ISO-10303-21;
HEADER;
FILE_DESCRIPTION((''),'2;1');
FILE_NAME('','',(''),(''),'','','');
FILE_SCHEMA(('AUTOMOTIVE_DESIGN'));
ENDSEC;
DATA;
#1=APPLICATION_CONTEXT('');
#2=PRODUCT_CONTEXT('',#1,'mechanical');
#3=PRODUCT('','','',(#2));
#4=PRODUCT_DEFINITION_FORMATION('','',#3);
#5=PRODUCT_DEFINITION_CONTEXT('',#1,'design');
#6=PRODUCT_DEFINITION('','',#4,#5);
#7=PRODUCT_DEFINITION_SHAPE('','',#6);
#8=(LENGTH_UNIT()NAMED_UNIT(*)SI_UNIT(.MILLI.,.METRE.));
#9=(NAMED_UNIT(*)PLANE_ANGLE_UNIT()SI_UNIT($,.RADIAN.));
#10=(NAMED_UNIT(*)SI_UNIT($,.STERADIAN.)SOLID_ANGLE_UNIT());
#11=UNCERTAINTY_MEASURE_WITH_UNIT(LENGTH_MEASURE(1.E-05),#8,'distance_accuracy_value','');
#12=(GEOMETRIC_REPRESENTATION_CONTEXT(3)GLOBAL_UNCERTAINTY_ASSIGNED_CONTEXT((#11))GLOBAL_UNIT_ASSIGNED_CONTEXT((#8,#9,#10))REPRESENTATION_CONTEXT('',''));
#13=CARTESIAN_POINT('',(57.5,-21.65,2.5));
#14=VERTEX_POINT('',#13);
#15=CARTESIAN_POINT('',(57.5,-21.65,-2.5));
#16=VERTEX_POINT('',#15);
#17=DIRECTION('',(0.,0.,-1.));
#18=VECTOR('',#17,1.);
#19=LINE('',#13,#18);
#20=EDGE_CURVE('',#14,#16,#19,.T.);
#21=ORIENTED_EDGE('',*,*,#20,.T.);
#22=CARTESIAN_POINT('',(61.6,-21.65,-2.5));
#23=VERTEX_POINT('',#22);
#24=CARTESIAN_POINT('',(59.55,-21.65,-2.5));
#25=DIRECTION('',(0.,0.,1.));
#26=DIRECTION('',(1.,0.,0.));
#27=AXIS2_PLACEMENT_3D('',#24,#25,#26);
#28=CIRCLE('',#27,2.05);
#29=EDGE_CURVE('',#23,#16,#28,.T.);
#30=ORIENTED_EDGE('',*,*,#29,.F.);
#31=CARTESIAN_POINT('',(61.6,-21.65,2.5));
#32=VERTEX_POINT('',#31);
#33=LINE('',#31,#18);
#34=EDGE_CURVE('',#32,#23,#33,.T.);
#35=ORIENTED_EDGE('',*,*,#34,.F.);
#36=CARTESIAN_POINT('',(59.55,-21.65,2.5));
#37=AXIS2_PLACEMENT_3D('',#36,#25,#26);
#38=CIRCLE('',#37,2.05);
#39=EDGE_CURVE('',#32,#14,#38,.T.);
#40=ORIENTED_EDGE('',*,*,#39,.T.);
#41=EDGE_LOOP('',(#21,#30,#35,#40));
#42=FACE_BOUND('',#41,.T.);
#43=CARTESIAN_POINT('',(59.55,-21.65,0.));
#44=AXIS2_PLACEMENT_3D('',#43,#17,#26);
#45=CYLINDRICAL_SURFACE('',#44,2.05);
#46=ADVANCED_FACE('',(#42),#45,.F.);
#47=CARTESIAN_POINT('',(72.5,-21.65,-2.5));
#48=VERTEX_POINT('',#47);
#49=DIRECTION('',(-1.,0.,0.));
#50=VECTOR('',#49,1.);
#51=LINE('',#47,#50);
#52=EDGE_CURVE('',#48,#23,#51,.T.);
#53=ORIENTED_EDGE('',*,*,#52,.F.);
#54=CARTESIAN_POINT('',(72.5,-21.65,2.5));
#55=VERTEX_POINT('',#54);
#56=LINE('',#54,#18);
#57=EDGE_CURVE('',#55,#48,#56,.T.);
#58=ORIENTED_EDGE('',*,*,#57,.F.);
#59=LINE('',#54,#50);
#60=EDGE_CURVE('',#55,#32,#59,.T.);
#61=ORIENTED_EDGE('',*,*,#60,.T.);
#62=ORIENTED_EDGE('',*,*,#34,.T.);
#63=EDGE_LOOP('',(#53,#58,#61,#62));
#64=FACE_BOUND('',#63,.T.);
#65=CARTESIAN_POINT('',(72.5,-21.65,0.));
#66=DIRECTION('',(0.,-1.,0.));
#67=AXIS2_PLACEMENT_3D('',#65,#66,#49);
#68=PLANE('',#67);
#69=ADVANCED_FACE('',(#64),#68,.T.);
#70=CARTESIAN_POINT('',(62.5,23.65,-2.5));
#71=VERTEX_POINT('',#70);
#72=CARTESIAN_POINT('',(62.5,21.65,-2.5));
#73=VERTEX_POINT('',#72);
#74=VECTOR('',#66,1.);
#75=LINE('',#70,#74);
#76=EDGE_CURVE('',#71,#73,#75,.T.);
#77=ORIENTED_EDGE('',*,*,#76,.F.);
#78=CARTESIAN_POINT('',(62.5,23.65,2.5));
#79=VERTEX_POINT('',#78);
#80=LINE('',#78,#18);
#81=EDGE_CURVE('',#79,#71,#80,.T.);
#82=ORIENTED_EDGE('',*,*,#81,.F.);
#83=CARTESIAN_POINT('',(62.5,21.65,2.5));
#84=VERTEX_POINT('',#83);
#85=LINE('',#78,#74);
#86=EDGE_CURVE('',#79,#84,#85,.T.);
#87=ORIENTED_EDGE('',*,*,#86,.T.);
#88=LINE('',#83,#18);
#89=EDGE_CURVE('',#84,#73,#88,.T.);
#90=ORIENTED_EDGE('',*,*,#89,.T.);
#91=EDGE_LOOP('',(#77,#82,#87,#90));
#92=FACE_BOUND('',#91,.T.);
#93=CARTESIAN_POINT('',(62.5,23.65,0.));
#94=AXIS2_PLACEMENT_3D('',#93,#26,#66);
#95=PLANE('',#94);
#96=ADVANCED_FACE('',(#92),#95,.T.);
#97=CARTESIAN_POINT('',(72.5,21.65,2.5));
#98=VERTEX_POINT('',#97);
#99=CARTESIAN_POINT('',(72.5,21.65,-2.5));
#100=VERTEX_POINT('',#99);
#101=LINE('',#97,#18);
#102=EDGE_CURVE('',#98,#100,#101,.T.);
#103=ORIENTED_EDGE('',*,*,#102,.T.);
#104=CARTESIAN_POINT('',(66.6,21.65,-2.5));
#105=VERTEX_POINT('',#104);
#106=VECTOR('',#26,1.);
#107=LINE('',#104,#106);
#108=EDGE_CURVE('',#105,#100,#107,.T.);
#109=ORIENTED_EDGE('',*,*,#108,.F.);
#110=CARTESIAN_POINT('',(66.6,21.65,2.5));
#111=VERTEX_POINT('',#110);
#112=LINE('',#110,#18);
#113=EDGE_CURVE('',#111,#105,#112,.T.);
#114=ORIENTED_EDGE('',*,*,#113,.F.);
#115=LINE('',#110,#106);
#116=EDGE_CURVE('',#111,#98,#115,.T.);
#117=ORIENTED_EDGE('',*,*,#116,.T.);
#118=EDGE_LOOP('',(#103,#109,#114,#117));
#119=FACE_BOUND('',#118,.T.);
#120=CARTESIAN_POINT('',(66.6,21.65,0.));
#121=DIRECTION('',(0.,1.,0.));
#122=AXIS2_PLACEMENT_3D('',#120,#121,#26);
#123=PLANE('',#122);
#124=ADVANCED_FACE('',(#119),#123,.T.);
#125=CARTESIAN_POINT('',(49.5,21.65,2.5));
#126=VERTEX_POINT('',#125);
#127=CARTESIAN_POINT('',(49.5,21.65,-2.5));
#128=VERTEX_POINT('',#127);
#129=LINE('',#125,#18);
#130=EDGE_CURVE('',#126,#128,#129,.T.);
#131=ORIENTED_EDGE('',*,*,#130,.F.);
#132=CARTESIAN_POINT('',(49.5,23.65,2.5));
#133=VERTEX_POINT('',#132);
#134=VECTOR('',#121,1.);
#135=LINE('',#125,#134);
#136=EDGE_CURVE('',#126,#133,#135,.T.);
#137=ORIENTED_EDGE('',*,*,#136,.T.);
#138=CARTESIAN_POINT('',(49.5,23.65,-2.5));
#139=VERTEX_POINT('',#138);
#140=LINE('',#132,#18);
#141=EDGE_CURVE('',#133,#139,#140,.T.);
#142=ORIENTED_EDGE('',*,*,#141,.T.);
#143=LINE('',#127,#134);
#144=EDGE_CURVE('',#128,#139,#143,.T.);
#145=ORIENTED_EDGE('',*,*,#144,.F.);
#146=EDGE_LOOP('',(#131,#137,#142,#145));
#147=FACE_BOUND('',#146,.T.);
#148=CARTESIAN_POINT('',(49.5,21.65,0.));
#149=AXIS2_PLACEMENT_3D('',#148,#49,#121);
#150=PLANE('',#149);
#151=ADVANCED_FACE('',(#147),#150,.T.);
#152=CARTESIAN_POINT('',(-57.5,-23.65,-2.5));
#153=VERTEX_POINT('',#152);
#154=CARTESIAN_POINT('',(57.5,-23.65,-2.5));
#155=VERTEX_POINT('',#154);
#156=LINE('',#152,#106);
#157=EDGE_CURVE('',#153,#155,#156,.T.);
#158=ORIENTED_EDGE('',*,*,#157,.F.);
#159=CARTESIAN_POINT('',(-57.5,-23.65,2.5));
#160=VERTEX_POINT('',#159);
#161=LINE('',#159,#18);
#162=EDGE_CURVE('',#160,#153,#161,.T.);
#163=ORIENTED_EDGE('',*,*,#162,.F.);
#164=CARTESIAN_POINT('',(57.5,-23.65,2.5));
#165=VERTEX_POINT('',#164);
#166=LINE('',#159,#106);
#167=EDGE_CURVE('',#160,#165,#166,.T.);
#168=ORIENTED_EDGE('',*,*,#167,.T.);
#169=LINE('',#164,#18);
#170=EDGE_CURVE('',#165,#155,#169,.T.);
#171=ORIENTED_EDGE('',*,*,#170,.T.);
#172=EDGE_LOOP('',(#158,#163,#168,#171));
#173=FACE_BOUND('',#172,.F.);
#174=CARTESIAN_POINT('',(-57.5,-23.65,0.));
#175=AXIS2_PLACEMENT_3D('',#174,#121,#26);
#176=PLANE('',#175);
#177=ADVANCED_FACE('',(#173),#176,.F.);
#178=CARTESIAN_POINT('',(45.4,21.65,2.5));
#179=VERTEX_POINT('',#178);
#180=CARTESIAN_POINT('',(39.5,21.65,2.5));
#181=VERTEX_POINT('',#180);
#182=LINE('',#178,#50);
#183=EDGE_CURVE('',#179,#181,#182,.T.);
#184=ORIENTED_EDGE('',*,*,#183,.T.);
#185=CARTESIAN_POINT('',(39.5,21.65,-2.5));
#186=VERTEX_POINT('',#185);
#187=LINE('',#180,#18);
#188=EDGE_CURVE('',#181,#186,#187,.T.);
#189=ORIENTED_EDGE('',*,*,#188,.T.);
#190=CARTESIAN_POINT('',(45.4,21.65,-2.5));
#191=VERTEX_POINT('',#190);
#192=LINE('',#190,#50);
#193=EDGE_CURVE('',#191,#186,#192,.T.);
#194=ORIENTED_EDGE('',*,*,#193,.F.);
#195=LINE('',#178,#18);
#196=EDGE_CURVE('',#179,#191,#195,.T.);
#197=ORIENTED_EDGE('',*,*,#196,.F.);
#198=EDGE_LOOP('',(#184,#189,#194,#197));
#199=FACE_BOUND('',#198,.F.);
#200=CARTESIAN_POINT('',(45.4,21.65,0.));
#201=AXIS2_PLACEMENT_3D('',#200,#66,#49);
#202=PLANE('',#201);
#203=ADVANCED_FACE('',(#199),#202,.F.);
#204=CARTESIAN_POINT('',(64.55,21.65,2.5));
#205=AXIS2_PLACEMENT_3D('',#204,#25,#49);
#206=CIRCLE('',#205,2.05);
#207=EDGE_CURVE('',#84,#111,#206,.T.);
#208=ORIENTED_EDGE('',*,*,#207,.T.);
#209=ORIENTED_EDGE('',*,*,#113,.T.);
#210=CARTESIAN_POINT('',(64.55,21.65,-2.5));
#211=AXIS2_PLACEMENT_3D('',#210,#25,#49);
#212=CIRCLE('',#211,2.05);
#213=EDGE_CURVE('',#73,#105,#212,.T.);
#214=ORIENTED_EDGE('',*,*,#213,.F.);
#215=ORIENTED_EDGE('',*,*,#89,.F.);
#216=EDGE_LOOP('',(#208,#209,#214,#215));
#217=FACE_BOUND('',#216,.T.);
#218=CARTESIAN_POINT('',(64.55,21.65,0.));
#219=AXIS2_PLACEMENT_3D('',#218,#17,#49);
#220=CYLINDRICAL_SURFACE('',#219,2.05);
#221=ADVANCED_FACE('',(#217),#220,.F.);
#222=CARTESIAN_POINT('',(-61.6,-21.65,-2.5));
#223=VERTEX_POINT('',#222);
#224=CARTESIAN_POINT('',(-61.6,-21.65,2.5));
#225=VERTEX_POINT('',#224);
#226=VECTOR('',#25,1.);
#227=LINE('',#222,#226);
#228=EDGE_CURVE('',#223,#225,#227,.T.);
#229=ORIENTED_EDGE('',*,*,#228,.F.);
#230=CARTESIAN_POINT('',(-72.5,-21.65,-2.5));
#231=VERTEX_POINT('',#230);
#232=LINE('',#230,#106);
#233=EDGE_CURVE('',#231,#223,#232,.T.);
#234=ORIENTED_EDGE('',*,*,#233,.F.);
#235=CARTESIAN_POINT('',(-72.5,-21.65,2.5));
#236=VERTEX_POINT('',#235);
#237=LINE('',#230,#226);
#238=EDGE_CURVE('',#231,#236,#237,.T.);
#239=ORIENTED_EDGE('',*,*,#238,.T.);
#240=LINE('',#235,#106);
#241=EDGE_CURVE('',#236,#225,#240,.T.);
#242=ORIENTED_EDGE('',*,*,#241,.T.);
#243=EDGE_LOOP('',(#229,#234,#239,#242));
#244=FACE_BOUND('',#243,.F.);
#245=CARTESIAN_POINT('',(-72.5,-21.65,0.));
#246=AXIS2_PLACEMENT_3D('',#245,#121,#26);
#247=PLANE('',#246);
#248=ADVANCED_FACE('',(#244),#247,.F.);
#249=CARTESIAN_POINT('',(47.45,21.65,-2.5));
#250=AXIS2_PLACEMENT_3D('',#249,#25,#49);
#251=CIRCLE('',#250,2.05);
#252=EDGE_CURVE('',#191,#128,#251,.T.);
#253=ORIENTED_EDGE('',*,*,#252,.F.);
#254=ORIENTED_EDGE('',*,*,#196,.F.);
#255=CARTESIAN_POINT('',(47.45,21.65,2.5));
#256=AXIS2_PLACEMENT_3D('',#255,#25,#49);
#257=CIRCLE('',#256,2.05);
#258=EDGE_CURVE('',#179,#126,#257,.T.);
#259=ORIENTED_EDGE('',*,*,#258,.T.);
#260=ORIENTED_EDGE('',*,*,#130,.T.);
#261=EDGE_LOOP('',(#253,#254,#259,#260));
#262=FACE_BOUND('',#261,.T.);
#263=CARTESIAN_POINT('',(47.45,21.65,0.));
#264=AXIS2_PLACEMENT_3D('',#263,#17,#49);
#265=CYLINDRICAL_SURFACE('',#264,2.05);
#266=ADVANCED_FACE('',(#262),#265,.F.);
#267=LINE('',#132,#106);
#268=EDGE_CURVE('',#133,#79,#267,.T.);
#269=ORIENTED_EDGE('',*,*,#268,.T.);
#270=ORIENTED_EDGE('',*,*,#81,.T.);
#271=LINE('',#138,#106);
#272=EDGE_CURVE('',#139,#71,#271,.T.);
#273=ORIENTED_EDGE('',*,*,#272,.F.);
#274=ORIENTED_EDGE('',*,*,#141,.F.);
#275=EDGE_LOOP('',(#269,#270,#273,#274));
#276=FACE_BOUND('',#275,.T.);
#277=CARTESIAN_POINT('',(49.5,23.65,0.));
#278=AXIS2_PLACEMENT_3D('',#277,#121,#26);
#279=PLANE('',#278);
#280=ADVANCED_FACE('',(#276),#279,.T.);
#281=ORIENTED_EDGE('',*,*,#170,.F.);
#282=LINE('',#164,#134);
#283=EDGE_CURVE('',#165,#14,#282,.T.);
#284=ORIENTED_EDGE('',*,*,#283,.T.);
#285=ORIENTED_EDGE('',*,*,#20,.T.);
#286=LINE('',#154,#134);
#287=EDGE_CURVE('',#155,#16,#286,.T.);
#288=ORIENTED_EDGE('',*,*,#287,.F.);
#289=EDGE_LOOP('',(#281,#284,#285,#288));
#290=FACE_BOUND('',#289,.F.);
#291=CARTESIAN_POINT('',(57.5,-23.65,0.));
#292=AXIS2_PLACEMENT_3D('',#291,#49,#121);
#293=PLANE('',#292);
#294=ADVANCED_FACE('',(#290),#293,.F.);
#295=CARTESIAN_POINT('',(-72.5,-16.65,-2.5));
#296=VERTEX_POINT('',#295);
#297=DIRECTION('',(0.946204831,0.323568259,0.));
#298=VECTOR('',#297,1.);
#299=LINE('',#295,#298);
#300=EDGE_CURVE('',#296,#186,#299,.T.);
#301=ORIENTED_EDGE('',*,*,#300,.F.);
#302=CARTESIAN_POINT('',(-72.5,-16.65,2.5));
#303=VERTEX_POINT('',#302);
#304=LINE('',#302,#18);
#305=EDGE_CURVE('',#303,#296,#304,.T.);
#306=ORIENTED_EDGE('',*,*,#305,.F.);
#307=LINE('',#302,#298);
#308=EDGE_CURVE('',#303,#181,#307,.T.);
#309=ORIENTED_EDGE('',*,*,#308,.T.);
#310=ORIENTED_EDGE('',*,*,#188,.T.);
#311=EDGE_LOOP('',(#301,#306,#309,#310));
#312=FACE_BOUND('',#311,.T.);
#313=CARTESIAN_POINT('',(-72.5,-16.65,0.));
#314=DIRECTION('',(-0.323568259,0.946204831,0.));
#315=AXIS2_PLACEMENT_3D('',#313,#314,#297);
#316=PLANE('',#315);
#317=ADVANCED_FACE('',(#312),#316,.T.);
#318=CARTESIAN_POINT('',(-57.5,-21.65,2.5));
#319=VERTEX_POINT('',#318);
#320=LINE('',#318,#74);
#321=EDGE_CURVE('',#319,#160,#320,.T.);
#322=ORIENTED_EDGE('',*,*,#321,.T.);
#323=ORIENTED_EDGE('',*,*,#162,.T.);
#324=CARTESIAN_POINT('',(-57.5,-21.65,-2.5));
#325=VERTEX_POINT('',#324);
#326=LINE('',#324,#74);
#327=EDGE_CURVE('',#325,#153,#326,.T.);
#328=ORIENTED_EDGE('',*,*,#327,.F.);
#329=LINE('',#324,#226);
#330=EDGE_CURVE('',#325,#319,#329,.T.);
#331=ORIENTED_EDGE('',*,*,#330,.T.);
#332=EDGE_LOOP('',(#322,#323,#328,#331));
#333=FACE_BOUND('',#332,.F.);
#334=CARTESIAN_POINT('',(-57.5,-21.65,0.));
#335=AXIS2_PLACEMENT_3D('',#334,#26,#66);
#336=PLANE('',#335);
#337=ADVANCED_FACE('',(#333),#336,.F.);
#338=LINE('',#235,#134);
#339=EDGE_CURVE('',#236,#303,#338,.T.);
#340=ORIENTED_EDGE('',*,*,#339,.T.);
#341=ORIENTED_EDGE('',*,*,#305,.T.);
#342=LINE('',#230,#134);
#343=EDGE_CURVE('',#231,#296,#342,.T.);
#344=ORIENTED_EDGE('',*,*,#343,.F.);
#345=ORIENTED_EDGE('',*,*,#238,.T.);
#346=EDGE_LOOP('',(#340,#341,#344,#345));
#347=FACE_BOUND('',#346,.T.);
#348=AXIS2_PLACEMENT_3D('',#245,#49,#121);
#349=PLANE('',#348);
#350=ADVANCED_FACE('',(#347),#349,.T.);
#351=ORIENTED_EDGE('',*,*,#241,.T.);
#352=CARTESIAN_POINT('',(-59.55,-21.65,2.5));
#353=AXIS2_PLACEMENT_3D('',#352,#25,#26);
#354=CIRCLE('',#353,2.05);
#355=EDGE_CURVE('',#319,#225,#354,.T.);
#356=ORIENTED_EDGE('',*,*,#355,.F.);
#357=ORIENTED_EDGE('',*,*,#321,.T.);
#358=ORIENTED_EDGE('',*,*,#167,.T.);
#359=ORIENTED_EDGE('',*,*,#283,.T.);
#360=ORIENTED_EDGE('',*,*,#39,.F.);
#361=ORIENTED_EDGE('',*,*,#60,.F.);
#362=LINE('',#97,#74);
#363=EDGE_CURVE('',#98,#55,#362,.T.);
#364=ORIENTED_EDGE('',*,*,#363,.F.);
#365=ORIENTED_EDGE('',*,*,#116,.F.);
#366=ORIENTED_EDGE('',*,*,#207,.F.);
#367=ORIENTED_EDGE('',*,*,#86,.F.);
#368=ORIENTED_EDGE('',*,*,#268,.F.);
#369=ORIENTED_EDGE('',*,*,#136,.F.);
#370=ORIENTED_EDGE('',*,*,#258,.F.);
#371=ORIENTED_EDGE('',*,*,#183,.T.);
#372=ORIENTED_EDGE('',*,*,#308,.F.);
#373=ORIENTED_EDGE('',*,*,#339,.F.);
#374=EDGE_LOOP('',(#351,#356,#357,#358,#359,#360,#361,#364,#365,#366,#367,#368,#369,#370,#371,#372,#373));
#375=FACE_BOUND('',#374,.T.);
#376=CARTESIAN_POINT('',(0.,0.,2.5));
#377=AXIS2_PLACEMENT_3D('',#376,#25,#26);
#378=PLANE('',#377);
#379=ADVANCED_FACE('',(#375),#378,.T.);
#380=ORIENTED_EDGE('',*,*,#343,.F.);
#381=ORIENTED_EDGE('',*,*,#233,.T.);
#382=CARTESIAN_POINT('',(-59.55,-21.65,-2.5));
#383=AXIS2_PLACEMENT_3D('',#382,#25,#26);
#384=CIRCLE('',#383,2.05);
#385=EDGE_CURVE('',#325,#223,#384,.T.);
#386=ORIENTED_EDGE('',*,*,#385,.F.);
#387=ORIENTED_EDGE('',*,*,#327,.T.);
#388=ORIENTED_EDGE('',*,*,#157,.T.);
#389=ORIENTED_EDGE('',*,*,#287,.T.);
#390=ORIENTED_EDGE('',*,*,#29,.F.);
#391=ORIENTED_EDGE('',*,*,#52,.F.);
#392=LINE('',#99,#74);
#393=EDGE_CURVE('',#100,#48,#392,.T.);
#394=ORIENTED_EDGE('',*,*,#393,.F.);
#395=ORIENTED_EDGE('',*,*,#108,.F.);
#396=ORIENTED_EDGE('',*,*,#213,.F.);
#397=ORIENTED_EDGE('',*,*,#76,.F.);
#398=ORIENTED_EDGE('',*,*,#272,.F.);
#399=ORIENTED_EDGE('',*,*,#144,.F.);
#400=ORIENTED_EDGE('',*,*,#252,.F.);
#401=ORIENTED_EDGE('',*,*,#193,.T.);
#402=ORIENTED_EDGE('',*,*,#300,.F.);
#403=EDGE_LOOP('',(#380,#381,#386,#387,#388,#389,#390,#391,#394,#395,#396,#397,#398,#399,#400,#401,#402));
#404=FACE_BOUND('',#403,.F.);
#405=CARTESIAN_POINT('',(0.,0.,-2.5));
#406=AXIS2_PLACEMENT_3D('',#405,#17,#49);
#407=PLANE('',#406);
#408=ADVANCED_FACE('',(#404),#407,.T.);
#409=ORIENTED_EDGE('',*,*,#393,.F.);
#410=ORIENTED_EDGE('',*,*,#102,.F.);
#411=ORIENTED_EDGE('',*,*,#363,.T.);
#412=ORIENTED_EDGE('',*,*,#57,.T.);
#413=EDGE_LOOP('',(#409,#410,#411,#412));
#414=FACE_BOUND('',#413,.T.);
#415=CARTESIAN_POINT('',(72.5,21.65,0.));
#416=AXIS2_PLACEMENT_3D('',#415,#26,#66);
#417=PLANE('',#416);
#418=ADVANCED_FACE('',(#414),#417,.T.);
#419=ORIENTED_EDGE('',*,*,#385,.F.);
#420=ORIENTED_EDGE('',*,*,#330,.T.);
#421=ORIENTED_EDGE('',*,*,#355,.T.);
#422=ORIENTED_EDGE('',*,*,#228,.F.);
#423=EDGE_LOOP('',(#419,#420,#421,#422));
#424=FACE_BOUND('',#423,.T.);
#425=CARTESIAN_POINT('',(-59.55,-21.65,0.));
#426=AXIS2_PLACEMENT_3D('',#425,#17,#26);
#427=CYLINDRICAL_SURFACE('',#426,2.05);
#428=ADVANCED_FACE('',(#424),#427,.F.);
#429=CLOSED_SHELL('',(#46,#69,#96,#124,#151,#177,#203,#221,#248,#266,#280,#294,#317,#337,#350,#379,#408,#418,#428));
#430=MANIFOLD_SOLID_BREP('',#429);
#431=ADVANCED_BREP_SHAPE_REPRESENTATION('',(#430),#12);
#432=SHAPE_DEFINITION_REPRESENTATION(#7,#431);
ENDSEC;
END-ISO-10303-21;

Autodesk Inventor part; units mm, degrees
ref_plane "YZ Plane" through (0, 0, 0) normal (1, 0, 0) x (0, 1, 0)
ref_plane "XZ Plane" through (0, 0, 0) normal (0, 1, 0) x (-1, 0, 0)
ref_plane "XY Plane" through (0, 0, 0) normal (0, 0, 1) x (1, 0, 0)
sketch "スケッチ1" plane through (0, 0, 0) normal (0, 0, 1) x (1, 0, 0)
  line L0 (-72.5, -21.65) -> (72.5, -21.65) construction
  line L1 (72.5, -21.65) -> (72.5, 21.65) construction
  line L2 (72.5, 21.65) -> (-72.5, 21.65) construction
  line L3 (-72.5, 21.65) -> (-72.5, -21.65) construction
  line L4 (-72.5, -21.65) -> (72.5, 21.65) construction
  line L5 (72.5, -21.65) -> (-72.5, 21.65) construction
  line L6 (-67.5, 21.65) -> (-67.5, -21.65) construction
  line L7 (0, 0) -> (0, 21.65) construction
  line L8 (0, 0) -> (-72.5, 0) construction
  line L9 (67.5, 21.65) -> (67.5, -21.65) construction
  line L10 (-72.5, -21.65) -> (-61.6, -21.65)
  line L11 (49.5, 21.65) -> (49.5, 23.65)
  line L12 (49.5, 23.65) -> (62.5, 23.65)
  line L13 (62.5, 23.65) -> (62.5, 21.65)
  line L14 (66.6, 21.65) -> (72.5, 21.65)
  line L15 (72.5, 21.65) -> (72.5, -21.65)
  line L16 (72.5, -21.65) -> (61.6, -21.65)
  line L17 (-57.5, -21.65) -> (-57.5, -23.65)
  line L18 (-57.5, -23.65) -> (57.5, -23.65)
  line L19 (57.5, -23.65) -> (57.5, -21.65)
  arc A0 (45.4, 21.65) -> (49.5, 21.65) centre (47.45, 21.65) ccw
  arc A1 (62.5, 21.65) -> (66.6, 21.65) centre (64.55, 21.65) ccw
  arc A2 (-57.5, -21.65) -> (-61.6, -21.65) centre (-59.55, -21.65) ccw
  arc A3 (61.6, -21.65) -> (57.5, -21.65) centre (59.55, -21.65) ccw
  line L20 (-72.5, -21.65) -> (-72.5, -16.65)
  line L21 (-72.5, -16.65) -> (39.5, 21.65)
  line L22 (45.4, 21.65) -> (39.5, 21.65)
  line L23 (66.95, 24.476) -> (70.05, 24.476) construction
  line L24 (70.05, 24.476) -> (70.05, 13.3235) construction
  line L25 (70.05, 13.3235) -> (66.95, 13.3235) construction
  line L26 (66.95, 13.3235) -> (66.95, 24.476) construction
  line L27 (68.5, 24.476) -> (68.5, 13.3235) construction
  line L28 (41.95, 24.476) -> (45.05, 24.476) construction
  line L29 (45.05, 24.476) -> (45.05, 13.9945) construction
  line L30 (45.05, 13.9945) -> (41.95, 13.9945) construction
  line L31 (41.95, 13.9945) -> (41.95, 24.476) construction
  line L32 (43.5, 24.476) -> (43.5, 13.9945) construction
  dimension "d16" = 5
  dimension "d20" = 43.3
  dimension "d40" = 135
  dimension "d41" = 10
  dimension "d42" = 2.05
  dimension "d43" = 2
  dimension "d44" = 5
  dimension "d45" = 10
  dimension "d46" = 10
  dimension "d48" = 3.1
  dimension "d50" = 4
  dimension "d51" = 25
  dimension "d52" = 3.1
  dimension "d62" = 6
  dimension "d63" = 6
extrude "押し出し1" add sketch "スケッチ1" along normal blind 2.5
mirror "ミラー1" about plane through (8.3734, -6.8299, 0) normal (0, 0, -1) of "押し出し1"
equation "\"d16\" = d4"
equation "\"d40\" = d6"
equation "\"d41\" = d3"
equation "\"d46\" = d45"
equation "\"d63\" = d62"
equation "\"d4\" = 5"
equation "\"d6\" = 135"
equation "\"d3\" = 10"
properties part number "前腕_サブフレーム_1_1" material "アセタール樹脂、黒"
